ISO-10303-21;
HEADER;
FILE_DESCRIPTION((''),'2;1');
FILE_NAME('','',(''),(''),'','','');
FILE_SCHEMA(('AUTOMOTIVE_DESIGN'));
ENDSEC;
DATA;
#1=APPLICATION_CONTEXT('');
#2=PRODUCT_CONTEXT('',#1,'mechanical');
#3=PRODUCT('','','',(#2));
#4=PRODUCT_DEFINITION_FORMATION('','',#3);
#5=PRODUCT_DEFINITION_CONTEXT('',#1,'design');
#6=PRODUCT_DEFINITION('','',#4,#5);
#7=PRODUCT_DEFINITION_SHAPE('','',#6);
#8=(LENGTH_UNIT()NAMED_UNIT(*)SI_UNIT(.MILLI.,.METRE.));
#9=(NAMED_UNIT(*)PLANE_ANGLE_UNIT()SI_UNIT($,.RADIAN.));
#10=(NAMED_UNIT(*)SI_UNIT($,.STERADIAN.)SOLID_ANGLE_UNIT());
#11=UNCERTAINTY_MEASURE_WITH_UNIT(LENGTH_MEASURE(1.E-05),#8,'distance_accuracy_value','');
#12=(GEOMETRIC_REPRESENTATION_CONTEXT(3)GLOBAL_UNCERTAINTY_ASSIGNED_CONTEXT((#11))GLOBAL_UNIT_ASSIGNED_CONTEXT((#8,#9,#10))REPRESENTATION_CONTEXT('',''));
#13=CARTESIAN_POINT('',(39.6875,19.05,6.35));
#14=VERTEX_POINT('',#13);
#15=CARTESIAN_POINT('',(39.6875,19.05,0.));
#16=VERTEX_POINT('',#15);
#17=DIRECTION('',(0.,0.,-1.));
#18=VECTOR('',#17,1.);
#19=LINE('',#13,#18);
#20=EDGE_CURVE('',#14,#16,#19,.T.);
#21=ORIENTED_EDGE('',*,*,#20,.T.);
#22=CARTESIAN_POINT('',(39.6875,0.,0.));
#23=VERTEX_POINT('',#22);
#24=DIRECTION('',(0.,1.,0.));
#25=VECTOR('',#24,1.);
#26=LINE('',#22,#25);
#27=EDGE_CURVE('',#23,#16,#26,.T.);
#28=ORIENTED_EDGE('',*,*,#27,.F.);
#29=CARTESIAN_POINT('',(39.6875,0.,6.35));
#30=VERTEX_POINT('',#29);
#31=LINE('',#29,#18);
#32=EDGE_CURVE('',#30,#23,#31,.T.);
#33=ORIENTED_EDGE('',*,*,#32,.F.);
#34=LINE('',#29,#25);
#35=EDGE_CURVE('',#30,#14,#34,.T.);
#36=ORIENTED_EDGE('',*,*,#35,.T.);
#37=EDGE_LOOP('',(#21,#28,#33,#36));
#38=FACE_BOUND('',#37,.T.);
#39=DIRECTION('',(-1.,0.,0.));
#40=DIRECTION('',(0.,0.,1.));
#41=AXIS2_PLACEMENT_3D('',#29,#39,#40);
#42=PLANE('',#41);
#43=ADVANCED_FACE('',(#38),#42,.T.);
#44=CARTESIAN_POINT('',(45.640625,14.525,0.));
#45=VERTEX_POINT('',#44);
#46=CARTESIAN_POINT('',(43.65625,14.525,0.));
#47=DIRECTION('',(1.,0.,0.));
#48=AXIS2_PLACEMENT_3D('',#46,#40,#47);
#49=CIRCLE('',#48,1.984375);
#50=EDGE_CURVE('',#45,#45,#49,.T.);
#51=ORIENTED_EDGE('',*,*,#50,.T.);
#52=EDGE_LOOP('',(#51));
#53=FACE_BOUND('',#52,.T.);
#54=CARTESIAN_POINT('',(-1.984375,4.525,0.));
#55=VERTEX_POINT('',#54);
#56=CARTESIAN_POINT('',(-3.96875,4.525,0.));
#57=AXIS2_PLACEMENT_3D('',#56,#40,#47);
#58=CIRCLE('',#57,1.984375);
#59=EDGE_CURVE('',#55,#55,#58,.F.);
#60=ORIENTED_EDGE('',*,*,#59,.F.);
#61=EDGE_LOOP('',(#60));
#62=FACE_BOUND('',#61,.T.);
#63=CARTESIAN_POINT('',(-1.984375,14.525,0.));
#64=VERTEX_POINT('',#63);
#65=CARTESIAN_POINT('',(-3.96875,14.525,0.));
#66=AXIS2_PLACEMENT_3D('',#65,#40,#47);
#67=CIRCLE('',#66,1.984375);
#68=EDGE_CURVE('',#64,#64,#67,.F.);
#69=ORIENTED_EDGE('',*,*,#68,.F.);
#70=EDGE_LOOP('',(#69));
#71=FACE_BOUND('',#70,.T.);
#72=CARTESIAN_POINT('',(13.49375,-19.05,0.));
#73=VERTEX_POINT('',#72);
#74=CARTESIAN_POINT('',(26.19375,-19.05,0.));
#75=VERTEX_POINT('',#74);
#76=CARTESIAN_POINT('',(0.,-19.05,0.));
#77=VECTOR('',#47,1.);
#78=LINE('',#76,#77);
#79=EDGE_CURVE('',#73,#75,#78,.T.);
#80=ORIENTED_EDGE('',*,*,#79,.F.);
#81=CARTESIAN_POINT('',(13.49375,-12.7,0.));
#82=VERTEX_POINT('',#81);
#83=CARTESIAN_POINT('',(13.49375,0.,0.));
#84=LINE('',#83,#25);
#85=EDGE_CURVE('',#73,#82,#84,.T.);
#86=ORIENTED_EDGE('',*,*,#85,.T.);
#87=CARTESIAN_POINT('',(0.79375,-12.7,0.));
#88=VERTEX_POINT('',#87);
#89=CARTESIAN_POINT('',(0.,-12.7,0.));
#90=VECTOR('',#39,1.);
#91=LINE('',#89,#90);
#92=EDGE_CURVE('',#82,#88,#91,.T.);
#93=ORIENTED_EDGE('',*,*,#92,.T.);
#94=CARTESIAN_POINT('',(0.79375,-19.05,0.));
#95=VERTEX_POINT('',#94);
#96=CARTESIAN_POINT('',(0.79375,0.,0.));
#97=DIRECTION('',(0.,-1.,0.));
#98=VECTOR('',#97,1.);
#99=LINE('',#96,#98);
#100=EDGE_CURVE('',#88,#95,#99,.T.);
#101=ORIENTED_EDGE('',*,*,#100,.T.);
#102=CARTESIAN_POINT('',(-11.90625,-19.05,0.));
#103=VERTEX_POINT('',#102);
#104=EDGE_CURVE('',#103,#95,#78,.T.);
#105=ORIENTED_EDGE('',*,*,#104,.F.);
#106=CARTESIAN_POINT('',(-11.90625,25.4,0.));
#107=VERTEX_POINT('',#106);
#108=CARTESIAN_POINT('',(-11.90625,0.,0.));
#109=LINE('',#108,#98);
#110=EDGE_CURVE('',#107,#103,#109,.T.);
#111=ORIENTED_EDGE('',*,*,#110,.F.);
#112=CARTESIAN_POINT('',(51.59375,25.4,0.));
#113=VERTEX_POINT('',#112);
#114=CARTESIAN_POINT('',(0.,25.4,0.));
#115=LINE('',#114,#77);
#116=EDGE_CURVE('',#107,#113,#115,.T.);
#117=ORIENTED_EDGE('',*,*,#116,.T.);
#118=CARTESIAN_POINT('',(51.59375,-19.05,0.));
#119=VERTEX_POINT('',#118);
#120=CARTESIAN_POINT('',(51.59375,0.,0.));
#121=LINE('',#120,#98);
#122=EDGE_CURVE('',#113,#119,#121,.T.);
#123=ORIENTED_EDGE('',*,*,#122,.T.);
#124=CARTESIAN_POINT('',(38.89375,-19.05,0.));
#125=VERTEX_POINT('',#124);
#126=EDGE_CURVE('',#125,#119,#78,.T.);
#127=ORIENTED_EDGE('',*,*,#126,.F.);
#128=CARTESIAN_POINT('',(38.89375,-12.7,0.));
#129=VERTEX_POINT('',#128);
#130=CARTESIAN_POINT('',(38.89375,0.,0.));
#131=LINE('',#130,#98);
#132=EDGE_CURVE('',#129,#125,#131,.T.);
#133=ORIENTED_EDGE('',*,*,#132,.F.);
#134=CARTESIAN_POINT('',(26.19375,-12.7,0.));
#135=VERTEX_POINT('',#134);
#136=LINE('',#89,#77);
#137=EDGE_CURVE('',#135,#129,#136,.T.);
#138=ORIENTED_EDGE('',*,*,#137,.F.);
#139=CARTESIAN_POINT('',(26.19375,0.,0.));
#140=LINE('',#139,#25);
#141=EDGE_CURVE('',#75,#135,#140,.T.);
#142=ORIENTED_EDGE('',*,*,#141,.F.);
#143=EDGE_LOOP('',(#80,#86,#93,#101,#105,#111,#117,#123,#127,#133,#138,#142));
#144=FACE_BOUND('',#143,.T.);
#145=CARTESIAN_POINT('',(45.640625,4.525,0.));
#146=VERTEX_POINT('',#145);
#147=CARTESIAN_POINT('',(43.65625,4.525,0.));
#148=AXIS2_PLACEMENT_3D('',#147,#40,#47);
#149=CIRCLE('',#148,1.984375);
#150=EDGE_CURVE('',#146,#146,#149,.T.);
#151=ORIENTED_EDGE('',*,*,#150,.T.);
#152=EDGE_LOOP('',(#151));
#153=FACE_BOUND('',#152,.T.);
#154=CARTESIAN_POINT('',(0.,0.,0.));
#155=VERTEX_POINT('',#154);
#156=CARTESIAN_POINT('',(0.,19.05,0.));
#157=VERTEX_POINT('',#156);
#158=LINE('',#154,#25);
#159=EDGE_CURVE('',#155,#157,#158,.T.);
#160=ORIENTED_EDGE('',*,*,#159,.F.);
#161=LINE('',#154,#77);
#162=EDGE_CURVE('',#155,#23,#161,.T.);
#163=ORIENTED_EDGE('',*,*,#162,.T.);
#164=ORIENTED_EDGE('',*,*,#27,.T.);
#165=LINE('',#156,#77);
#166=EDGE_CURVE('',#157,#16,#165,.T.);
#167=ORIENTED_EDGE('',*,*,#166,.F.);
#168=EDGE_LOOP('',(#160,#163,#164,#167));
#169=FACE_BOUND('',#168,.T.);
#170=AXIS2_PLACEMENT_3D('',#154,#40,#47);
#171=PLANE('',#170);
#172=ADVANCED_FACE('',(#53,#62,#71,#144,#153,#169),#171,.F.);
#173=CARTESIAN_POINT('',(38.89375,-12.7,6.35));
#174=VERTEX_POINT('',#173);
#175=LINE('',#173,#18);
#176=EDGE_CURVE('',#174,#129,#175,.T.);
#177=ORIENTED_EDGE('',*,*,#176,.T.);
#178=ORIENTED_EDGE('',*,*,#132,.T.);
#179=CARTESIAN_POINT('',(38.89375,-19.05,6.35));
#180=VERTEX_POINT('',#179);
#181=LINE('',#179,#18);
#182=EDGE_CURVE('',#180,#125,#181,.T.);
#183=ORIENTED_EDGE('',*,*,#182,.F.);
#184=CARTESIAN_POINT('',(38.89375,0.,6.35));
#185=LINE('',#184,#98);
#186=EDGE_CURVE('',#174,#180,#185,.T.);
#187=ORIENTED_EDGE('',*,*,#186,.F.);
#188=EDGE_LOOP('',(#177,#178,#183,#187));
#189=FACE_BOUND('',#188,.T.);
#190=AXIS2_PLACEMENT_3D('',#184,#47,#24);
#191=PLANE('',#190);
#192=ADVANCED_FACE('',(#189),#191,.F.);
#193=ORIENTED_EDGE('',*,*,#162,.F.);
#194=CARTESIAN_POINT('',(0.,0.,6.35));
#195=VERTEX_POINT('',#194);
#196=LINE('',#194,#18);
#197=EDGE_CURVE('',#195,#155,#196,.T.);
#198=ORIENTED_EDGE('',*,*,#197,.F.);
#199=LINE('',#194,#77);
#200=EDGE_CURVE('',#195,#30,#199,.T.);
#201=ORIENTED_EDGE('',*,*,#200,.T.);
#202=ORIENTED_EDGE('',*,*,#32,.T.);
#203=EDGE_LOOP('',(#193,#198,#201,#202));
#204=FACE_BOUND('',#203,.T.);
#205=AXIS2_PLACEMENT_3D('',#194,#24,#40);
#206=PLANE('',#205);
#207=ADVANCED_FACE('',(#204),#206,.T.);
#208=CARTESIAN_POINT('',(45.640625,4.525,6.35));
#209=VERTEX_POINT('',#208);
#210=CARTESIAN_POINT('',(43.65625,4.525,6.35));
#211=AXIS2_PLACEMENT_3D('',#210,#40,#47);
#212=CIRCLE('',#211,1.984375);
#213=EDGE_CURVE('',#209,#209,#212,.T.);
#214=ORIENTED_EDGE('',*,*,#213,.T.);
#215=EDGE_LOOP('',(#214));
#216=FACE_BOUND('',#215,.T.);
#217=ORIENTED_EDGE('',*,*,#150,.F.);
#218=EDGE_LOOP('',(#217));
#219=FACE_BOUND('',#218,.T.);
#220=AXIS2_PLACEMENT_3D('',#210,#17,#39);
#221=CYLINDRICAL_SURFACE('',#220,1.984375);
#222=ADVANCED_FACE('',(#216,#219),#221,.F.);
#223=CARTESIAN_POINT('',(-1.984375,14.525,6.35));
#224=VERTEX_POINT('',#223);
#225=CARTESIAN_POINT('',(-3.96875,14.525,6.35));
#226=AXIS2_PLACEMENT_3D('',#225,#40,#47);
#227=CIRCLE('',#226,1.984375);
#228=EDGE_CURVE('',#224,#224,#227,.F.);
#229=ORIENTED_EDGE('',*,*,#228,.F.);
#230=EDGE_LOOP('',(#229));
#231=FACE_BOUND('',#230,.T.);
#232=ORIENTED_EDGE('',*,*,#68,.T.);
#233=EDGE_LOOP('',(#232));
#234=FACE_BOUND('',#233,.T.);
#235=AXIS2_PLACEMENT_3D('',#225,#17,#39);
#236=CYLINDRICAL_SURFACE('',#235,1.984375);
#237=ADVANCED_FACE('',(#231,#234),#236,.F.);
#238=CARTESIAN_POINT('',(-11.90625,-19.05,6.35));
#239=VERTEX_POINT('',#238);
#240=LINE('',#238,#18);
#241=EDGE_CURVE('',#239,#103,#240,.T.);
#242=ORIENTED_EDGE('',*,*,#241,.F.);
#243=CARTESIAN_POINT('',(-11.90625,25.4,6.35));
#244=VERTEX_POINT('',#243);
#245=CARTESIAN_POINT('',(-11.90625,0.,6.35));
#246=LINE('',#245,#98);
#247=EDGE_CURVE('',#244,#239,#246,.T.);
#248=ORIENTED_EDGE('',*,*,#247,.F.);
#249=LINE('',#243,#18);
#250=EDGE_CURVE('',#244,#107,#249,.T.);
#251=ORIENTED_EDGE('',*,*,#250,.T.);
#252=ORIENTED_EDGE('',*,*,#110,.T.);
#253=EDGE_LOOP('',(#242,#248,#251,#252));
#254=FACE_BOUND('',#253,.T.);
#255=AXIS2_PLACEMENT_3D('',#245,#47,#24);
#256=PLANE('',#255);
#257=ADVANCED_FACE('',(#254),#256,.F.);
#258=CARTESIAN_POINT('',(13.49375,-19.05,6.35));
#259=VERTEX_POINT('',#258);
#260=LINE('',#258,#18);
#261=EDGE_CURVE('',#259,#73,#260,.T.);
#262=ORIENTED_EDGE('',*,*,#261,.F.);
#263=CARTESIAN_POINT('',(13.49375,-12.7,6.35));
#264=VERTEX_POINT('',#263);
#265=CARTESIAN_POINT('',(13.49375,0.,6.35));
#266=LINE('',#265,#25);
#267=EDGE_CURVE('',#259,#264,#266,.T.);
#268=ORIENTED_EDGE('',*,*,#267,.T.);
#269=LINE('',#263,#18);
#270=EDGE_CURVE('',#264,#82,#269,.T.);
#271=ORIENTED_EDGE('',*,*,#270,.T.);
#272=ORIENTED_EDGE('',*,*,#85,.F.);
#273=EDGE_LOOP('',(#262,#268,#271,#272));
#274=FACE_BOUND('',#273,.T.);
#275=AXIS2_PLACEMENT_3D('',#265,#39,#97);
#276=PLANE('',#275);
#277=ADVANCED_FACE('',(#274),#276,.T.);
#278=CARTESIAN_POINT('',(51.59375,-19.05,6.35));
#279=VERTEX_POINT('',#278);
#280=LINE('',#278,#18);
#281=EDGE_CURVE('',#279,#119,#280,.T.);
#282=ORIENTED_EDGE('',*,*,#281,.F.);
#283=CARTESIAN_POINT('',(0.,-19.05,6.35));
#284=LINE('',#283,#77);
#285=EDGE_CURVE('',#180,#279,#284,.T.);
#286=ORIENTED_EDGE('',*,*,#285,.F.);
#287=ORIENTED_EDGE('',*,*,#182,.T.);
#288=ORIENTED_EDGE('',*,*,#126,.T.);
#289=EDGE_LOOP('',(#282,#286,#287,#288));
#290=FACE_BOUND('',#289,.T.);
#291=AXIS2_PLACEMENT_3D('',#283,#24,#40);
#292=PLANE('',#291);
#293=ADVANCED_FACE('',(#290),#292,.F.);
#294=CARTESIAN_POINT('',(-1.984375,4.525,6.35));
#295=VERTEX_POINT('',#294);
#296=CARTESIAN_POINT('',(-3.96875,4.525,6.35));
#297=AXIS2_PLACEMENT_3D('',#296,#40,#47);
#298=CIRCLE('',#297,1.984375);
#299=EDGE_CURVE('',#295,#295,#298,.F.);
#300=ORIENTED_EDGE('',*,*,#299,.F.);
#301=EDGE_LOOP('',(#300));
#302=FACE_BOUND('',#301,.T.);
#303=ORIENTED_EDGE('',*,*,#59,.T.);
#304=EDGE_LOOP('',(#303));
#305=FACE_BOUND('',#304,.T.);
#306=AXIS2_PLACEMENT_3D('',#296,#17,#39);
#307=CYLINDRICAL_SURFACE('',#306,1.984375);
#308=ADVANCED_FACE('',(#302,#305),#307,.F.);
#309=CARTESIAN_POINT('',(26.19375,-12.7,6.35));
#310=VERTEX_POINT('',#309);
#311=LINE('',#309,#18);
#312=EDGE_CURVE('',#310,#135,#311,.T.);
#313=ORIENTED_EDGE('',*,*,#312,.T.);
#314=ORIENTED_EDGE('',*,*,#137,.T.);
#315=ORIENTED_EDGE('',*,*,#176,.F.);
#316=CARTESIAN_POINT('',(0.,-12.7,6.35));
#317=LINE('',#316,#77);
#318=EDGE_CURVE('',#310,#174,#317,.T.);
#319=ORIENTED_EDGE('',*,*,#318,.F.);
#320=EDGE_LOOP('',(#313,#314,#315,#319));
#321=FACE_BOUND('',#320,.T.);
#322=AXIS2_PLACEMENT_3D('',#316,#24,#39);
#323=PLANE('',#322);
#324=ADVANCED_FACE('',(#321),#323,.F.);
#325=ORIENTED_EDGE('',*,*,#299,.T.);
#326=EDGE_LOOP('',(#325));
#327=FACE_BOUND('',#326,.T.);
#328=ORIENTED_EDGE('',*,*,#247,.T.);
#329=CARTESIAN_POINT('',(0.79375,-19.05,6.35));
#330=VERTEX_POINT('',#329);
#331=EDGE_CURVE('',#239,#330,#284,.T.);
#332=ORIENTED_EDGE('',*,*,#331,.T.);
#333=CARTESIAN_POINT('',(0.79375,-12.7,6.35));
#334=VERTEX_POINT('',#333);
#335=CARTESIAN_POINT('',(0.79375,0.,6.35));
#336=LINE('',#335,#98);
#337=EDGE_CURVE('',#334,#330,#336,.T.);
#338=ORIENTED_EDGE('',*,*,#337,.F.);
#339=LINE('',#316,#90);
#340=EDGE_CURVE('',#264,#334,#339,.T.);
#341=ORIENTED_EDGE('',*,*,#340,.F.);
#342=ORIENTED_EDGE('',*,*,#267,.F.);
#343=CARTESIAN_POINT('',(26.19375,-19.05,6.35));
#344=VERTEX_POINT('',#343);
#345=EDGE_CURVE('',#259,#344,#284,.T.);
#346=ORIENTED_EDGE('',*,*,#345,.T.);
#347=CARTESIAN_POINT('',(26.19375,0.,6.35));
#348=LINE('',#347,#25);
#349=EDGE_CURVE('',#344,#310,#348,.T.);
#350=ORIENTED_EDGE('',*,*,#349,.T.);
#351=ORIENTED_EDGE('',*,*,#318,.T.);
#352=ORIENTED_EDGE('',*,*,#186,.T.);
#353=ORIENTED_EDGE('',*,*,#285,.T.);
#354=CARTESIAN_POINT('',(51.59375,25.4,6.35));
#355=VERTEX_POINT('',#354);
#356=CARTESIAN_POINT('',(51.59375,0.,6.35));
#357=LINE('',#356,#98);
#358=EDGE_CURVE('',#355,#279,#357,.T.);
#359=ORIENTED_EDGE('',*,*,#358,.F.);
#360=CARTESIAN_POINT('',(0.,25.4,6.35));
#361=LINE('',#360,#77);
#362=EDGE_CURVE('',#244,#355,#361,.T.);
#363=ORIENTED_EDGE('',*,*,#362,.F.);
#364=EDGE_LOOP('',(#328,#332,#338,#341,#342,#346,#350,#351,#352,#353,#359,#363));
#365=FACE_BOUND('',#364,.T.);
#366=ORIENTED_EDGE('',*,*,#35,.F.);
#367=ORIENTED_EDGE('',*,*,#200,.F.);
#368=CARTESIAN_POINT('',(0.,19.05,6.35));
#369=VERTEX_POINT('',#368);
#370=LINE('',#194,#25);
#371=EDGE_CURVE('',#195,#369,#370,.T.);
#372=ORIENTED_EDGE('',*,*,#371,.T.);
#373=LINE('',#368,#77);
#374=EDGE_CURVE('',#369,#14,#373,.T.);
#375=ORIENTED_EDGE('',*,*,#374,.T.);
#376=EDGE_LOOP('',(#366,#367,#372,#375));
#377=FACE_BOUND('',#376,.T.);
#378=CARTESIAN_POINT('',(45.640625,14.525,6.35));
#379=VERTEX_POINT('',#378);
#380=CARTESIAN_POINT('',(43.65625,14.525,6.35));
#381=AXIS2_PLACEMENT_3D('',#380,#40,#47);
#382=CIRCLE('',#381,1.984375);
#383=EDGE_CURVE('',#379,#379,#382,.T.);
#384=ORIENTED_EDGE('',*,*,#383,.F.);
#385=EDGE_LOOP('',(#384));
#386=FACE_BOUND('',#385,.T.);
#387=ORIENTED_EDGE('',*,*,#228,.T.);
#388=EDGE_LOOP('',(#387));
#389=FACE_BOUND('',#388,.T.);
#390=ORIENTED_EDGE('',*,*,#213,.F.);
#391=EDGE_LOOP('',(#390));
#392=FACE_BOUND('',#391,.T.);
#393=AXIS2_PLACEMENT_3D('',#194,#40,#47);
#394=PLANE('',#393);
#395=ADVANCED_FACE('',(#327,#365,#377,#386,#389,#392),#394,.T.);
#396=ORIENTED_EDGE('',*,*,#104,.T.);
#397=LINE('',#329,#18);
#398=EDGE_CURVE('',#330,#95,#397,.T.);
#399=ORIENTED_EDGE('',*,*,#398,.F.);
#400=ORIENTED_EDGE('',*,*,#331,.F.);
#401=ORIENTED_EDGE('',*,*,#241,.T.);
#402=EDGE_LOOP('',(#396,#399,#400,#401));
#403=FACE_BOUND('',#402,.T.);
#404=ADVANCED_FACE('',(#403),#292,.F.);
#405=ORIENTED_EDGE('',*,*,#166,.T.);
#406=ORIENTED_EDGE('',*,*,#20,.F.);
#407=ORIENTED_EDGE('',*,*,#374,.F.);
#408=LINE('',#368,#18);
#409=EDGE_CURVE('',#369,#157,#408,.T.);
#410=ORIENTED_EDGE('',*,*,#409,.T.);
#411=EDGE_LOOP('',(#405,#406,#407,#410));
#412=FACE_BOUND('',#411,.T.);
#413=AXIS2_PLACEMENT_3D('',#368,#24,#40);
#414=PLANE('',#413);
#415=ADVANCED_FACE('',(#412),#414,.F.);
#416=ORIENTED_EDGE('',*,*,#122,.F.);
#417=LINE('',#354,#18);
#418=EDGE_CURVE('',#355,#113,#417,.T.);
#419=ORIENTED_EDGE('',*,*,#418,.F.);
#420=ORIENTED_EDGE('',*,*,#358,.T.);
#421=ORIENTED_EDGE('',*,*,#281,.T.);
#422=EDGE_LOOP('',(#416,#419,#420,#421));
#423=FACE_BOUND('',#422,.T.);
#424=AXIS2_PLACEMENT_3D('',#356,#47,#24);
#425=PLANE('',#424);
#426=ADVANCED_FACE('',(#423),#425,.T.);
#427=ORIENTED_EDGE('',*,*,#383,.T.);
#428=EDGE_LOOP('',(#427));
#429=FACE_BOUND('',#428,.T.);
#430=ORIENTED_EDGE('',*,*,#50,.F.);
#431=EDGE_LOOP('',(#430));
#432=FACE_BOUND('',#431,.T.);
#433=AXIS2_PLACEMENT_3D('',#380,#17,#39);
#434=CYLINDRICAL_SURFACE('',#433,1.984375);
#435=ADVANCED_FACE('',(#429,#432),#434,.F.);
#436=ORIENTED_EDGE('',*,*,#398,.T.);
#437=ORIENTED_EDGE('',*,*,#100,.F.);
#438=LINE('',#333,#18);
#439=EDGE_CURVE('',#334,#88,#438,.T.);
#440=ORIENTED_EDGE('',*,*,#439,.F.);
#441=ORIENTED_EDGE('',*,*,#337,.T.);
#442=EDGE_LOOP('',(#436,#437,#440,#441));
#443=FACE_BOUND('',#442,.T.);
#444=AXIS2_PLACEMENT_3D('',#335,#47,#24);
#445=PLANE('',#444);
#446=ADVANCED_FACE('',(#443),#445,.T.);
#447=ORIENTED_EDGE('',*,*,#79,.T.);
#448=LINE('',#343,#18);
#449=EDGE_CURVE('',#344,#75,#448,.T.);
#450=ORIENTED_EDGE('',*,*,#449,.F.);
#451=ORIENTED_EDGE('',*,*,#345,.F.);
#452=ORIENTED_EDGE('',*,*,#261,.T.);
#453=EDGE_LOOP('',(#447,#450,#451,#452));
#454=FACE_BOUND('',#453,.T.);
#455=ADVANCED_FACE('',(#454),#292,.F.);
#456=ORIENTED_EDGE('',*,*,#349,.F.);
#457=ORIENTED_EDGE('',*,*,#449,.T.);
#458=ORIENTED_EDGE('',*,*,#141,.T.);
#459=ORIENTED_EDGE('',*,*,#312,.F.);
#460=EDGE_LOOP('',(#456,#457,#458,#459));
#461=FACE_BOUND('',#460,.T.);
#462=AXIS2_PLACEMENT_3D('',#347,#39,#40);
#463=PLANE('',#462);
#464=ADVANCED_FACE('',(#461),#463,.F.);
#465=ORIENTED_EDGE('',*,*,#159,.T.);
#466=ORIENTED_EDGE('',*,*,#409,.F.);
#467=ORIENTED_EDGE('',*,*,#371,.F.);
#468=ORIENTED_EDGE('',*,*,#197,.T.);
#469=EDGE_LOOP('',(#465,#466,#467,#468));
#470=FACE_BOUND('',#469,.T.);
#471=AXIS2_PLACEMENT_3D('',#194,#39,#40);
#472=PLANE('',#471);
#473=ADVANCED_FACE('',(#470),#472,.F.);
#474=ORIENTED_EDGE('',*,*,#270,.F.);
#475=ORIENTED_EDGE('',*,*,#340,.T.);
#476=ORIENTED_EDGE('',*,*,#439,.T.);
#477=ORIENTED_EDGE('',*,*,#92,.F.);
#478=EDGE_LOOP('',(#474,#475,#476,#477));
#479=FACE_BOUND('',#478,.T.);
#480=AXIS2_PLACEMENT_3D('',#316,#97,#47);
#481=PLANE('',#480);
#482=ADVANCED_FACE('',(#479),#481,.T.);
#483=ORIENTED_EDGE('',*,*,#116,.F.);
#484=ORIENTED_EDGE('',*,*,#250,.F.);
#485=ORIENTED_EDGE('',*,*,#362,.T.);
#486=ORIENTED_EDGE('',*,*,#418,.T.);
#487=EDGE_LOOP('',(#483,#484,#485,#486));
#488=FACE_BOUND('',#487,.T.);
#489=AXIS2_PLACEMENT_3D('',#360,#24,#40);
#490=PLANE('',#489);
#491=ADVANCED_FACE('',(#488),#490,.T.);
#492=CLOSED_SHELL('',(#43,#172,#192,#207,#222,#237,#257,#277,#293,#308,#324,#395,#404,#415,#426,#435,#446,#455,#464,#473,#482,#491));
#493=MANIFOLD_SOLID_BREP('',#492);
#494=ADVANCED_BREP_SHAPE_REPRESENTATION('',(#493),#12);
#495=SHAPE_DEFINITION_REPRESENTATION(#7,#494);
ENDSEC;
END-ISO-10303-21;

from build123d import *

# Parameters (mm, degrees)
SKETCH2_R           = 1.984375
SKETCH2_W           = 39.6875
SKETCH2_H           = 19.05
BOSS_EXTRUDE1_DEPTH = 6.35


with BuildPart() as part:
    # Sketch2 → Boss-Extrude1 (new body)
    with BuildSketch(Plane.XY):
        Polygon((51.59375, 25.4), (-11.90625, 25.4), (-11.90625, -19.05), (0.79375, -19.05), (0.79375, -12.7), (13.49375, -12.7), (13.49375, -19.05), (26.19375, -19.05), (26.19375, -12.7), (38.89375, -12.7), (38.89375, -19.05), (51.59375, -19.05), align=None)
        with Locations((-3.96875, 4.525)):
            Circle(SKETCH2_R, mode=Mode.SUBTRACT)
        with Locations((-3.96875, 14.525)):
            Circle(SKETCH2_R, mode=Mode.SUBTRACT)
        with Locations((19.84375, 9.525)):
            Rectangle(SKETCH2_W, SKETCH2_H, mode=Mode.SUBTRACT)
        with Locations((43.65625, 4.525)):
            Circle(SKETCH2_R, mode=Mode.SUBTRACT)
        with Locations((43.65625, 14.525)):
            Circle(SKETCH2_R, mode=Mode.SUBTRACT)
    extrude(amount=BOSS_EXTRUDE1_DEPTH)


solid = part.part
